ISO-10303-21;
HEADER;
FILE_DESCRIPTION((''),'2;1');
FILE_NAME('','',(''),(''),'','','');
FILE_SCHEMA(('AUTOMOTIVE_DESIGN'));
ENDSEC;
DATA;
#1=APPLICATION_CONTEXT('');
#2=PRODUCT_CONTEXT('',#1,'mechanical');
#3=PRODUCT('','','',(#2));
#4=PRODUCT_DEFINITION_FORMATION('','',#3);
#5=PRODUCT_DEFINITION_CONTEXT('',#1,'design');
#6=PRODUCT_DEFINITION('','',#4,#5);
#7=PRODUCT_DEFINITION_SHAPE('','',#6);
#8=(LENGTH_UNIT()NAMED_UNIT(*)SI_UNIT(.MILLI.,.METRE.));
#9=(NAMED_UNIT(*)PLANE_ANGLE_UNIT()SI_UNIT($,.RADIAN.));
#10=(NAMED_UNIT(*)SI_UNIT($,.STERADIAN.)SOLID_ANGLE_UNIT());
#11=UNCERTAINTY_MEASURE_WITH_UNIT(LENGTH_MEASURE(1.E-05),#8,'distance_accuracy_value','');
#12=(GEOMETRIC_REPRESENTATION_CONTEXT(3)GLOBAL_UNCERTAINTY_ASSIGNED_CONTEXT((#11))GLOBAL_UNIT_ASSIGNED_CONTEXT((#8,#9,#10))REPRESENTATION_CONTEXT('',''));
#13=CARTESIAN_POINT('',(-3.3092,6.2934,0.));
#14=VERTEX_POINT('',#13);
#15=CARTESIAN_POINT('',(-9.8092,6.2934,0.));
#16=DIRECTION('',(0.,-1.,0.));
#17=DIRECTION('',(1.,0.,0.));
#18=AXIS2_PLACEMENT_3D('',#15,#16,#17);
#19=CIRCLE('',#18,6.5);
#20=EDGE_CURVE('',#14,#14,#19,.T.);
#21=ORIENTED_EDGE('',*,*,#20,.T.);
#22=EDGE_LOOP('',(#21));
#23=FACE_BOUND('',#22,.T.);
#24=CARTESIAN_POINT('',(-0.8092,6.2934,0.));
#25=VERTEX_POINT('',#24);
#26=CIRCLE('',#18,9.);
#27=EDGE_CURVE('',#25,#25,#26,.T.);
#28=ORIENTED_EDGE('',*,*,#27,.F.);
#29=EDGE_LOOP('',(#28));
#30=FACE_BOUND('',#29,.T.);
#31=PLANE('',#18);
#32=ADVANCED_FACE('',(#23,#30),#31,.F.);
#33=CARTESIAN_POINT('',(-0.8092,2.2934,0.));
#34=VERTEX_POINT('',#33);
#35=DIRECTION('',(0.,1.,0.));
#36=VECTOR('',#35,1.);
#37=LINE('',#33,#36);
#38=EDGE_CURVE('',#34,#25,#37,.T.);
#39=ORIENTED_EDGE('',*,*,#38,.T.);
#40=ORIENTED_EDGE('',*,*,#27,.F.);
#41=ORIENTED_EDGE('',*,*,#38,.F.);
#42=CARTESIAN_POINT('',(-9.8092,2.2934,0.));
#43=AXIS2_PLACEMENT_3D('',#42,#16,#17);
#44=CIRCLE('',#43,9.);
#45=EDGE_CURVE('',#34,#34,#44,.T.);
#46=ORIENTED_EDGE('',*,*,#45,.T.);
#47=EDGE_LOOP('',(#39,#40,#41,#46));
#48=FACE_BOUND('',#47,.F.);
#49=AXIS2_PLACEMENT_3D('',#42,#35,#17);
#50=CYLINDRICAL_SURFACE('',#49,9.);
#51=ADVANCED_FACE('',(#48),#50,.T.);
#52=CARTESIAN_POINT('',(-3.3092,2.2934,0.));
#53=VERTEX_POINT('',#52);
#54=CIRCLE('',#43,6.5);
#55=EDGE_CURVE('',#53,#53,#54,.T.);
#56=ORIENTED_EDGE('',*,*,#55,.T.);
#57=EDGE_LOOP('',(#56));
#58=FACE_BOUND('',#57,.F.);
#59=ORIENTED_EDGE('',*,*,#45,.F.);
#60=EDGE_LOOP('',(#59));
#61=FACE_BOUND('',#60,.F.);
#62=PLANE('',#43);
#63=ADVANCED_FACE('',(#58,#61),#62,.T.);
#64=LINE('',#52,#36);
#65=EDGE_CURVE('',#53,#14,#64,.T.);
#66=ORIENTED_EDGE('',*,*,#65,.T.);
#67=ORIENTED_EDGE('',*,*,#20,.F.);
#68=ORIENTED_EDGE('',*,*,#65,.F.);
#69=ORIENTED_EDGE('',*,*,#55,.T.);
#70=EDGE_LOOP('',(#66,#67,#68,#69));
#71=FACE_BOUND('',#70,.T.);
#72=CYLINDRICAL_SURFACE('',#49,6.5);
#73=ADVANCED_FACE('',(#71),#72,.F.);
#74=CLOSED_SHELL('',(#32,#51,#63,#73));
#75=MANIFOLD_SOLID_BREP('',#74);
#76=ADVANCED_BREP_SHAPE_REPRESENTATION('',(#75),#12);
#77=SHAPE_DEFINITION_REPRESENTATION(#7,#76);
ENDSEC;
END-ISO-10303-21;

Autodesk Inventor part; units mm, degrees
ref_plane "YZ Plane" through (0, 0, 0) normal (1, 0, 0) x (0, 1, 0)
ref_plane "XZ Plane" through (0, 0, 0) normal (0, 1, 0) x (-1, 0, 0)
ref_plane "XY Plane" through (0, 0, 0) normal (0, 0, 1) x (1, 0, 0)
sketch "Sketch1" plane through (0, 0, 0) normal (0, 0, 1) x (1, 0, 0)
  line L0 (-3.3092, 2.2934) -> (-3.3092, 6.2934)
  line L1 (-3.3092, 6.2934) -> (-16.3092, 6.2934) projected
  line L2 (-9.8092, 6.2934) -> (-0.8092, 6.2934)
  line L3 (-0.8092, 6.2934) -> (-3.3092, 6.2934)
  line L4 (-3.3092, 6.2934) -> (-3.3092, 2.2934)
  line L5 (-3.3092, 2.2934) -> (-0.8092, 2.2934)
  line L6 (-0.8092, 2.2934) -> (-0.8092, 6.2934)
  line L7 (-9.8092, 6.2934) -> (-9.8092, 1.9036)
  point P0 (0, 0)
  dimension "d0" = 9
revolve "Revolution1" add sketch "Sketch1" angle 360 about axis through (-9.8092, 6.2934, 0) along (0, -1, 0)
properties part number "counter_bearing_guide_ring"
